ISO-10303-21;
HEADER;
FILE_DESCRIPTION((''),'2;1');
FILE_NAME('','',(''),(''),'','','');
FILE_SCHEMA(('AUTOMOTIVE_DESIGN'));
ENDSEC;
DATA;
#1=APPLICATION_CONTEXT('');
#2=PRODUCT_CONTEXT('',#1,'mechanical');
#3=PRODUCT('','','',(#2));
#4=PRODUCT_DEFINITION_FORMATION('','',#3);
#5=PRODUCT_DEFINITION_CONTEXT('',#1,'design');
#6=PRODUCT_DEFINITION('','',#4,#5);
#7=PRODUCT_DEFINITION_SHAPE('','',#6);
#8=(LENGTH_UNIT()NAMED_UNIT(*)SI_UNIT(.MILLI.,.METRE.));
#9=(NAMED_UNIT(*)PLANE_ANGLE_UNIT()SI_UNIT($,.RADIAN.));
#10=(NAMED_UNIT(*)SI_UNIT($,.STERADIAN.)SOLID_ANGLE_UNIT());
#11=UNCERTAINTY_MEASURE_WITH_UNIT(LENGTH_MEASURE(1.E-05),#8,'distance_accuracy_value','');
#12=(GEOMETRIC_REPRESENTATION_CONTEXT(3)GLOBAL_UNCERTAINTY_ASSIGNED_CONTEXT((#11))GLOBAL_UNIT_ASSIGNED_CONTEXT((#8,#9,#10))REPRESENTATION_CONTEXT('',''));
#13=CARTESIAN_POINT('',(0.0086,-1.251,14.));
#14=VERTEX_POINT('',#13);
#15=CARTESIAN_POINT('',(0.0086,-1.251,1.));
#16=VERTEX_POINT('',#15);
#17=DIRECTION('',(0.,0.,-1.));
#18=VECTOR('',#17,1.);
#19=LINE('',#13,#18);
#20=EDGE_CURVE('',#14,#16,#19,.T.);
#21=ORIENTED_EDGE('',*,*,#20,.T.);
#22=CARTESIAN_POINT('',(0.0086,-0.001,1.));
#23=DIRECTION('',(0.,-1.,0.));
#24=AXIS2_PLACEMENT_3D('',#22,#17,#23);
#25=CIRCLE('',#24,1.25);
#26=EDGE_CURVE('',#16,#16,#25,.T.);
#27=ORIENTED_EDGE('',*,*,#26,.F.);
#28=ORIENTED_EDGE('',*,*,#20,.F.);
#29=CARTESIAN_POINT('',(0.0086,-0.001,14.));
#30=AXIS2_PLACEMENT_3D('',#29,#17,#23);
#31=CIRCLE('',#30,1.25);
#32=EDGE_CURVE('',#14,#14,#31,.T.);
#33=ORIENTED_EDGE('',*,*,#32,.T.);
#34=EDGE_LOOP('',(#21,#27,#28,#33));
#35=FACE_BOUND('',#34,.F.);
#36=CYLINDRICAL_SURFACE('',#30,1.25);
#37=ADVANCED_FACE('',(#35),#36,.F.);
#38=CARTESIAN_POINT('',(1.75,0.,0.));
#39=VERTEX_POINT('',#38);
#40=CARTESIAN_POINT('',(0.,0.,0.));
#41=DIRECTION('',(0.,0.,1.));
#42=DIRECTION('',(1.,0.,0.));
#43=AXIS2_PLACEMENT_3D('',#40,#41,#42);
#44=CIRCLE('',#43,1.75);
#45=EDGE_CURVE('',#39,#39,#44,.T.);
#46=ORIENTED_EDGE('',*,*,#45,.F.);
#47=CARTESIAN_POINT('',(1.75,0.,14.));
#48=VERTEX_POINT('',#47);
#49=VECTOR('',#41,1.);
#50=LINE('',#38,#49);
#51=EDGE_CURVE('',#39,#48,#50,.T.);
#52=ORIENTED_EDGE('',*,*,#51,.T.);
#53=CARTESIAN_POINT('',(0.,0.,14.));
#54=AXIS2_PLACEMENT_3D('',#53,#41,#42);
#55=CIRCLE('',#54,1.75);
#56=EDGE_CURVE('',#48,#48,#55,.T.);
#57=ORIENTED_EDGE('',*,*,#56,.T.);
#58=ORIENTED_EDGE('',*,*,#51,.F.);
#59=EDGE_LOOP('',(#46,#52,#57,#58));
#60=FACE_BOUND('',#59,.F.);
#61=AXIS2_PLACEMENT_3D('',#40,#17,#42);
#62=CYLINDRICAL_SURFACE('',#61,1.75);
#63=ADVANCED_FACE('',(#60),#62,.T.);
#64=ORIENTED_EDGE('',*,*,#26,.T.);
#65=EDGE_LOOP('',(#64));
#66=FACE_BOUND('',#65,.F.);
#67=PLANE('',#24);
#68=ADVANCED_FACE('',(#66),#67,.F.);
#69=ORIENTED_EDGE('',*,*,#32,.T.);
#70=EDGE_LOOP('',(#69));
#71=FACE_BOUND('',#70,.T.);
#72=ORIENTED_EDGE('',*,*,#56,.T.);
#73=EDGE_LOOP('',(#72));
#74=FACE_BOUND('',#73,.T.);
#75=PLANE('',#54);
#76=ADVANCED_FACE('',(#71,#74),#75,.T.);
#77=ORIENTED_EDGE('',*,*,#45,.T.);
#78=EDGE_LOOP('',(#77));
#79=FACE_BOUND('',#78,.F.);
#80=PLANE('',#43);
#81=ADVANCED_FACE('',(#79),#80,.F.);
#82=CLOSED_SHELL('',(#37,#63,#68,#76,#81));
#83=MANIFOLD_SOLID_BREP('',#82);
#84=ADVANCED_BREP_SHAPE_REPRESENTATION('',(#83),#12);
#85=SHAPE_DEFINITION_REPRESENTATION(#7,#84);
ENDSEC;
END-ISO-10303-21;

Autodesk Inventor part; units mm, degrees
ref_plane "YZ Plane" through (0, 0, 0) normal (1, 0, 0) x (0, 1, 0)
ref_plane "XZ Plane" through (0, 0, 0) normal (0, 1, 0) x (-1, 0, 0)
ref_plane "XY Plane" through (0, 0, 0) normal (0, 0, 1) x (1, 0, 0)
sketch "Sketch1" plane through (0, 0, 0) normal (0, 0, 1) x (1, 0, 0)
  circle A0 centre (0, 0) radius 1.75
  dimension "d0" = 3.5
extrude "Extrusion1" add sketch "Sketch1" along normal blind 14
sketch "Sketch3" plane through (0, 0, 14) normal (0, 0, 1) x (1, 0, 0)
  point P0 (0.0086, -0.001)
hole "Hole2" at (0.0086, -0.001, 14) direction (0, 0, -1) diameter 2.5 depth 13
thread "Thread1" size "M2.5x0.45" class "6H" standard "ANSI Metric M Profile" full length
properties part number "test_tread"
